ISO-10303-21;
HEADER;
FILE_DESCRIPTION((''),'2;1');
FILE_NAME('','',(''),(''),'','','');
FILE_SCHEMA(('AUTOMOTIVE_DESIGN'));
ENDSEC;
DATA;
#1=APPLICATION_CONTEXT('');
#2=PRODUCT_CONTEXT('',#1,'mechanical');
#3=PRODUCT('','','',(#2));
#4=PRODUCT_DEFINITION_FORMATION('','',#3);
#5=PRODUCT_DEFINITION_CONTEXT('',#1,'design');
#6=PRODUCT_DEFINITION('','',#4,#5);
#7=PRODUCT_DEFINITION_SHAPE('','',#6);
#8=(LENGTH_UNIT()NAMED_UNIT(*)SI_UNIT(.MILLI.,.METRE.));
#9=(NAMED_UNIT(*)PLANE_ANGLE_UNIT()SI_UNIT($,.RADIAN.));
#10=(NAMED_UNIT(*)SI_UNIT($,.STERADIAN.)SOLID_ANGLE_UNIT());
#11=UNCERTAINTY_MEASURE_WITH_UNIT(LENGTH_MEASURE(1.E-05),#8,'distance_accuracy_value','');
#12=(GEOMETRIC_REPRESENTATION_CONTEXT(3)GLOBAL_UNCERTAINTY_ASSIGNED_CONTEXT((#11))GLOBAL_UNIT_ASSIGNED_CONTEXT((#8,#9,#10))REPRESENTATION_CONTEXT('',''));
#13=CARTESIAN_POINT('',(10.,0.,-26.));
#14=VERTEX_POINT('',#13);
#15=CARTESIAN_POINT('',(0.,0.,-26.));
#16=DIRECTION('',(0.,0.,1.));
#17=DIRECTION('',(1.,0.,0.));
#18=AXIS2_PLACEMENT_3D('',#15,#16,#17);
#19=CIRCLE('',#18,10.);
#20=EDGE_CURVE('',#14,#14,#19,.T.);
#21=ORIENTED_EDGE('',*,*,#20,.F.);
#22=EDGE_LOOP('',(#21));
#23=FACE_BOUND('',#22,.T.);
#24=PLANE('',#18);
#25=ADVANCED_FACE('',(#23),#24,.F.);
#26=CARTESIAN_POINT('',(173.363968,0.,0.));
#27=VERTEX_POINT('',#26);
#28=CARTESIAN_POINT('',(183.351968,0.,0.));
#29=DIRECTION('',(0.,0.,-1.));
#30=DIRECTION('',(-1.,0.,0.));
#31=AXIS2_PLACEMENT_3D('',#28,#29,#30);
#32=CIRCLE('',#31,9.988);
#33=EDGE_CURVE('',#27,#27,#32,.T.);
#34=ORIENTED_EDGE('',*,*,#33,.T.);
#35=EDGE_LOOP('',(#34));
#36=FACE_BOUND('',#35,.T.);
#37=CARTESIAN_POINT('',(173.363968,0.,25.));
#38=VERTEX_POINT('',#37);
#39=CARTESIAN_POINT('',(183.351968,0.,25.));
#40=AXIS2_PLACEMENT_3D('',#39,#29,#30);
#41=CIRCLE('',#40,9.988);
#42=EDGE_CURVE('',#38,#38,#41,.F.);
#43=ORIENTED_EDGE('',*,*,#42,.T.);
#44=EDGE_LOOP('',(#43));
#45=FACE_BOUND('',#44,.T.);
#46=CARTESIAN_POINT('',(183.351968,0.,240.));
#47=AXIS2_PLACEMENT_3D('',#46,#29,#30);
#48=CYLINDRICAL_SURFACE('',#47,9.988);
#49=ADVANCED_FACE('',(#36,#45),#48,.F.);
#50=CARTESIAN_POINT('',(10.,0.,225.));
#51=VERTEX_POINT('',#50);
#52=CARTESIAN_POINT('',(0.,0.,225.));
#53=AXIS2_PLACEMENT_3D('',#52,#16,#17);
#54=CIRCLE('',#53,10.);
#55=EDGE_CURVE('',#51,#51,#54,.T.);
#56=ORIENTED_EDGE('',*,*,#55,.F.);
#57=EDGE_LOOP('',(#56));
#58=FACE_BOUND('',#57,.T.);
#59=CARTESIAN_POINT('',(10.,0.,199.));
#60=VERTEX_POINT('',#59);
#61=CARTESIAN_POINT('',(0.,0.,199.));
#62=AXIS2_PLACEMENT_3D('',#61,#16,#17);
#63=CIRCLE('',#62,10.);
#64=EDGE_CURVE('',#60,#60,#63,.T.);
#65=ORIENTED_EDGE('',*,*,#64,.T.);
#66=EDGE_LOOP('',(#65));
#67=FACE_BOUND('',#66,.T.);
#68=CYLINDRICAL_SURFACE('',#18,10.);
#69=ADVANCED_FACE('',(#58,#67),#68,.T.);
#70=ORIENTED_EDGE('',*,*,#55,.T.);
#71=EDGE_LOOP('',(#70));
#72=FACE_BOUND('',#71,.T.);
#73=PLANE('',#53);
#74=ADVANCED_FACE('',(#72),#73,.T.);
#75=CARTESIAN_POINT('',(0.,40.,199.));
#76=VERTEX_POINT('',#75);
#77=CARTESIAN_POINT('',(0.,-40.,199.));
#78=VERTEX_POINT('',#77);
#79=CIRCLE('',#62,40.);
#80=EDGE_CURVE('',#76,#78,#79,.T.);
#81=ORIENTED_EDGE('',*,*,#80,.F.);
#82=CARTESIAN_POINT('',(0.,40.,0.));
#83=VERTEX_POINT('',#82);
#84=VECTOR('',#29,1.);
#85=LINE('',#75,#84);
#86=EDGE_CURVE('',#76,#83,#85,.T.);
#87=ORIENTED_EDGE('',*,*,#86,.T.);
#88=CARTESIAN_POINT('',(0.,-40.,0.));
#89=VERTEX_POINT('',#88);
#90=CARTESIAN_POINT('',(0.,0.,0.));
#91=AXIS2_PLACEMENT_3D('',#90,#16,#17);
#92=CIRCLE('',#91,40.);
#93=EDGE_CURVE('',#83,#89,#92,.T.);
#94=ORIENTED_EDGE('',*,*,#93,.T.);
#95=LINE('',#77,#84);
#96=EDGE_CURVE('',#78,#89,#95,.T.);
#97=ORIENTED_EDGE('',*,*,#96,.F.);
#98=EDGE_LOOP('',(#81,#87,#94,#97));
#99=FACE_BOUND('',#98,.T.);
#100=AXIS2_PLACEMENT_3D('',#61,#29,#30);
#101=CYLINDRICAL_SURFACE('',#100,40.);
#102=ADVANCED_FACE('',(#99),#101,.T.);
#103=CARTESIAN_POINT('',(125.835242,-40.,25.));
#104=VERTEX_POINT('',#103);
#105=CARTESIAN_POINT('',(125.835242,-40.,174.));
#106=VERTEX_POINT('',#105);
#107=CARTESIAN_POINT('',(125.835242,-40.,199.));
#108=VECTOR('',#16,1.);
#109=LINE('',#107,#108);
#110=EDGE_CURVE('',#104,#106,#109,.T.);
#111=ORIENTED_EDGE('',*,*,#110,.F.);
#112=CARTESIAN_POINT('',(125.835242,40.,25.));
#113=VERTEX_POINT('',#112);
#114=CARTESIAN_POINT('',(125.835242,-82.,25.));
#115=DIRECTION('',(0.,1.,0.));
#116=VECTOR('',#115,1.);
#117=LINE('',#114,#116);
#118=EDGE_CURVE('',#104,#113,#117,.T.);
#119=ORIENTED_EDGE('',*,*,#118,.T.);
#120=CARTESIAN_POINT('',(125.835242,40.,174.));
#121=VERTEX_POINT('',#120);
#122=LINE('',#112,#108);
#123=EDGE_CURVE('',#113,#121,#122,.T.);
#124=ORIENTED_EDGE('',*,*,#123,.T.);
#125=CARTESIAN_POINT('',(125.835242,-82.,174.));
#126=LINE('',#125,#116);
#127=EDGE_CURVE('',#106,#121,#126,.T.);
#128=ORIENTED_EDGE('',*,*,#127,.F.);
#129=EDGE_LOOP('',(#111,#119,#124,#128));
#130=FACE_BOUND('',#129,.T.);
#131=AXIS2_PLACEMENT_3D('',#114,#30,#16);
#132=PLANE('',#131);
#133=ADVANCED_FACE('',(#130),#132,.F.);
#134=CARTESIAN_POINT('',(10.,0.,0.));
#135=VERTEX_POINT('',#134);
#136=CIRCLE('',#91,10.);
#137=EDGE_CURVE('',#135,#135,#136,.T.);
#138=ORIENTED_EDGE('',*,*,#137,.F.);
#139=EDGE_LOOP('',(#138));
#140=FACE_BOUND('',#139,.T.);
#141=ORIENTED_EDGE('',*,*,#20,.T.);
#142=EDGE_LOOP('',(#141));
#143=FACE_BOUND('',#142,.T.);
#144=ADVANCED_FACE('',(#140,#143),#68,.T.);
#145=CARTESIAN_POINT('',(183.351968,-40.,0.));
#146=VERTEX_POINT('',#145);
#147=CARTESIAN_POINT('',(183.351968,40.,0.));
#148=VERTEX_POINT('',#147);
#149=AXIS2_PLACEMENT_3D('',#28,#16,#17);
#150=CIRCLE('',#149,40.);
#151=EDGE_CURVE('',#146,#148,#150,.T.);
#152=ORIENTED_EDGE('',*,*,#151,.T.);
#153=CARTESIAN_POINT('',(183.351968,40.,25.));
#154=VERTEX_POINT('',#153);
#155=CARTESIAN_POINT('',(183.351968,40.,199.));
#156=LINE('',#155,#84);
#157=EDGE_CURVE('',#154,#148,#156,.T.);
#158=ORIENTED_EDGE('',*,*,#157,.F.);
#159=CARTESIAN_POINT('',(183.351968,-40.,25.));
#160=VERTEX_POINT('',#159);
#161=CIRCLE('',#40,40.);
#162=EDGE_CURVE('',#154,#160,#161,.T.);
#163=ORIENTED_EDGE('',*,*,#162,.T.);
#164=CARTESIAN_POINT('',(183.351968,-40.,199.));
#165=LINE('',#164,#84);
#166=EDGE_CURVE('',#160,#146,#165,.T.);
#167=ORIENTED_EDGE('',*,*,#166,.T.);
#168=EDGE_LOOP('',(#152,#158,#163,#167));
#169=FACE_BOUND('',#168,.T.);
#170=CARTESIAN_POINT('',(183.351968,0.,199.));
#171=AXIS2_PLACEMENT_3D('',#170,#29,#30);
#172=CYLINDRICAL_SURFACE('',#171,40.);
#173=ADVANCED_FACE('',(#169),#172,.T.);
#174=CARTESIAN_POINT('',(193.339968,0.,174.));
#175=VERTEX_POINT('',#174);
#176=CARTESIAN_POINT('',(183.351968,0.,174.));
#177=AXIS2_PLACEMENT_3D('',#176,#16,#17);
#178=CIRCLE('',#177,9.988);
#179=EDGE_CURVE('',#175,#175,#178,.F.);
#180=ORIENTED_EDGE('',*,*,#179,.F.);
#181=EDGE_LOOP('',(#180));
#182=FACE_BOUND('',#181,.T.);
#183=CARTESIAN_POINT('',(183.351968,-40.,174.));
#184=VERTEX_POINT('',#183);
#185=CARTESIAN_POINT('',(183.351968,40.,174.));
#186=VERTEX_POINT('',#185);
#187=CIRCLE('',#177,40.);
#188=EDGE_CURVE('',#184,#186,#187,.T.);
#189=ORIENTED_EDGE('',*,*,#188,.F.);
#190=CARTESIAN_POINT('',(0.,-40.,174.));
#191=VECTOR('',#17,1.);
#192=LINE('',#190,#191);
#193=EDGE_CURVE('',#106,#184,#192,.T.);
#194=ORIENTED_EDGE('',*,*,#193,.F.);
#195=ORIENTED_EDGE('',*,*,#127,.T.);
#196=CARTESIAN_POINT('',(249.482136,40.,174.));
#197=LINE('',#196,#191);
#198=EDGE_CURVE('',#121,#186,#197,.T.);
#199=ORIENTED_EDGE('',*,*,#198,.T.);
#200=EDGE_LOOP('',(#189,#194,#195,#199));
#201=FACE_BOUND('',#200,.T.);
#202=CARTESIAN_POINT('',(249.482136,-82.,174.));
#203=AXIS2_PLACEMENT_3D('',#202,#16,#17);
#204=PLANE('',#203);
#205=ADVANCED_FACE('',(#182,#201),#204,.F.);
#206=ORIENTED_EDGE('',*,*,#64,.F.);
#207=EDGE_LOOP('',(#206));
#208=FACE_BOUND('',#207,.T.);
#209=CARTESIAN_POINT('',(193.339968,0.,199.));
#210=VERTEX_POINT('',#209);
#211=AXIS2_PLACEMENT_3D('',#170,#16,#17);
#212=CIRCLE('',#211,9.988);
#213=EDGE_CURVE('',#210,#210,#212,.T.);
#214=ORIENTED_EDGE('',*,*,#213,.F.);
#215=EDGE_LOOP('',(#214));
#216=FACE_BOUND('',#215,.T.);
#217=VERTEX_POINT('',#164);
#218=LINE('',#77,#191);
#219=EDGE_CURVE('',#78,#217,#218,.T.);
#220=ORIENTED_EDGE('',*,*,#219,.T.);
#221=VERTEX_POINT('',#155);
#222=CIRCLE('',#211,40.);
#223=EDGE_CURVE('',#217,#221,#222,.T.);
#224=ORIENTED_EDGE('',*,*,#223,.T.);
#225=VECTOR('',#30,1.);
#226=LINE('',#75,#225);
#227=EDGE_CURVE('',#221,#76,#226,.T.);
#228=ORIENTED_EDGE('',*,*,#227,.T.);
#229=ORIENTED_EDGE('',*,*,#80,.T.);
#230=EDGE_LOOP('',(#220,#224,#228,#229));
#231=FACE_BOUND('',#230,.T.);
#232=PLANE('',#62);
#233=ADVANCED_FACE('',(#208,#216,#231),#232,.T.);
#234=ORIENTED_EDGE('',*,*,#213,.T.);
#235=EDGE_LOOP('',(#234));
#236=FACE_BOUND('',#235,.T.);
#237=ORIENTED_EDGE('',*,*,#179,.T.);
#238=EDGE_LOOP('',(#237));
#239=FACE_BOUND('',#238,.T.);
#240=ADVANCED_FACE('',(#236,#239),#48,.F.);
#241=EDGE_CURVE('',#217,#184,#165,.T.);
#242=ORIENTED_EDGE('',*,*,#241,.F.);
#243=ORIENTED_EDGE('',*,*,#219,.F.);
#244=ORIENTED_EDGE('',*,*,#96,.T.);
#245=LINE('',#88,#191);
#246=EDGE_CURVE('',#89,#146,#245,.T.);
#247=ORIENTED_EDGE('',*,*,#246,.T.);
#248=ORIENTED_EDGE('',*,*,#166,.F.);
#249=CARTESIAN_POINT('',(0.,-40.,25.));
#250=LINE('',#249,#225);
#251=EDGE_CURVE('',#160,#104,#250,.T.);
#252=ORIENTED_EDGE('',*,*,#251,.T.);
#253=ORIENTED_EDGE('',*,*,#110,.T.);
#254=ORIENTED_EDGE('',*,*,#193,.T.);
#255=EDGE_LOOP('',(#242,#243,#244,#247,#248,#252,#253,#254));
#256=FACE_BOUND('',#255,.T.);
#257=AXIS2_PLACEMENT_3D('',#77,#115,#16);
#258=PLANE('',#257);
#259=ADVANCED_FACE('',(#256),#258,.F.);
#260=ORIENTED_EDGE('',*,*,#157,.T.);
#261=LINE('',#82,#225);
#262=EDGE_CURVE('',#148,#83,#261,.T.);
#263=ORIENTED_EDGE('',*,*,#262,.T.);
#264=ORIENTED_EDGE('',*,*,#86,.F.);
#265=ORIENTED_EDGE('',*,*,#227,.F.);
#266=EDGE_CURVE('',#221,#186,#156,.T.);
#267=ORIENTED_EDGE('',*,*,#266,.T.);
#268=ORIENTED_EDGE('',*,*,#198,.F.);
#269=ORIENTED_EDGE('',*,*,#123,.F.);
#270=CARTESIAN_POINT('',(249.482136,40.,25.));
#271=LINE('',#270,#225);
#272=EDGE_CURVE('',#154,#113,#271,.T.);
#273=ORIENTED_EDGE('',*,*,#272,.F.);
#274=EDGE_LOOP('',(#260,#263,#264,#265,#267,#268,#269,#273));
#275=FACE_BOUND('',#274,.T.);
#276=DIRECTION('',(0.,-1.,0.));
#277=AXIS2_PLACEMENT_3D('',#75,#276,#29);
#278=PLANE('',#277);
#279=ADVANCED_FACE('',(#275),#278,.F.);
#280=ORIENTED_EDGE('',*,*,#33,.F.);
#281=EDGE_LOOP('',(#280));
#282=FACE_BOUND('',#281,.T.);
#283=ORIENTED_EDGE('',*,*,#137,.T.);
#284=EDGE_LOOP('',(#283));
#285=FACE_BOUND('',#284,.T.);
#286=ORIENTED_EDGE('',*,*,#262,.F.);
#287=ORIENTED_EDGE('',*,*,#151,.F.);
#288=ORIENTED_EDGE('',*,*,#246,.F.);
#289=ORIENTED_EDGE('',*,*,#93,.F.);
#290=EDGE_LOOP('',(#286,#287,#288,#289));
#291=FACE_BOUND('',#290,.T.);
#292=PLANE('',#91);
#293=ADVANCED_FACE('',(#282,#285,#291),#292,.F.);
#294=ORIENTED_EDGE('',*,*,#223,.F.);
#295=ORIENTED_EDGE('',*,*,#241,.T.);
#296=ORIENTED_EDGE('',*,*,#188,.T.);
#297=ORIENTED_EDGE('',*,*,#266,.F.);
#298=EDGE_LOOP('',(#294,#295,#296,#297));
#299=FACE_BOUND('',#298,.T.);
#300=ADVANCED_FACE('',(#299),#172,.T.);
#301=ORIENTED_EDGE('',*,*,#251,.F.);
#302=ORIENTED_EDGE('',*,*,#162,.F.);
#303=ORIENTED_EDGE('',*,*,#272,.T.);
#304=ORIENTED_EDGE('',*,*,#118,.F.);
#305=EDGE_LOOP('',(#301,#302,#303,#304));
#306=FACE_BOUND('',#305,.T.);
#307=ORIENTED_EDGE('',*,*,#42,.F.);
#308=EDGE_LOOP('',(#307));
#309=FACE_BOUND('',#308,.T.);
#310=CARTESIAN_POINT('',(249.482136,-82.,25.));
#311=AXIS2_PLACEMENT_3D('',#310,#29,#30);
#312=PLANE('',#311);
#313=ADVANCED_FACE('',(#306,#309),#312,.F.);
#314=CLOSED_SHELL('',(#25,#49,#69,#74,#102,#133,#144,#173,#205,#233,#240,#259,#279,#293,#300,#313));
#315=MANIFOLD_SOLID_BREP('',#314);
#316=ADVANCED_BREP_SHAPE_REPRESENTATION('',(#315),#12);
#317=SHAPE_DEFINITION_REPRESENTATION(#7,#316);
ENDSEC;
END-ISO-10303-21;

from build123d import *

# Parameters (mm, degrees)
SALIENTE_EXTRUIR1_DEPTH      = 199
CROQUIS6_R                   = 9.988
CORTAR_EXTRUIR3_DEPTH        = 240
SALIENTE_EXTRUIR3_DEPTH      = 26
SALIENTE_EXTRUIR3_DEPTH_BACK = 225
CROQUIS3_R                   = 10
CROQUIS12_W                  = 123.646893132
CROQUIS12_H                  = 149
CORTAR_EXTRUIR7_DEPTH        = 122


with BuildPart() as part:
    # Croquis2 → Saliente-Extruir1 (new body)
    with BuildSketch(Plane.XY):
        with BuildLine():
            Line((0, 40), (183.351967946, 40))
            ThreePointArc((183.351967946, 40), (223.351967946, 0), (183.351967946, -40))
            Line((183.351967946, -40), (0, -40))
            ThreePointArc((0, -40), (-40, 0), (0, 40))
        make_face()
    extrude(amount=SALIENTE_EXTRUIR1_DEPTH)

    # Croquis6 → Cortar-Extruir3 (cut)
    with BuildSketch(Plane(origin=(0, 0, 0), x_dir=(-1, 0, 0), z_dir=(0, 0, -1))):
        with Locations((-183.351967946, 0)):
            Circle(CROQUIS6_R)
    extrude(amount=-CORTAR_EXTRUIR3_DEPTH, mode=Mode.SUBTRACT)

    # Croquis3 → Saliente-Extruir3 (add, two sides: drawn at the far end of the back side and taken through both)
    with BuildSketch(Plane.XY.offset(199).offset(-SALIENTE_EXTRUIR3_DEPTH_BACK)):
        Circle(CROQUIS3_R)
    extrude(amount=SALIENTE_EXTRUIR3_DEPTH + SALIENTE_EXTRUIR3_DEPTH_BACK)

    # Croquis12 → Cortar-Extruir7 (cut)
    with BuildSketch(Plane(origin=(0, 40, 0), x_dir=(1, 0, 0), z_dir=(0, 1, 0))):
        with Locations((187.658688953, -99.5)):
            Rectangle(CROQUIS12_W, CROQUIS12_H)
    extrude(amount=-CORTAR_EXTRUIR7_DEPTH, mode=Mode.SUBTRACT)


solid = part.part
